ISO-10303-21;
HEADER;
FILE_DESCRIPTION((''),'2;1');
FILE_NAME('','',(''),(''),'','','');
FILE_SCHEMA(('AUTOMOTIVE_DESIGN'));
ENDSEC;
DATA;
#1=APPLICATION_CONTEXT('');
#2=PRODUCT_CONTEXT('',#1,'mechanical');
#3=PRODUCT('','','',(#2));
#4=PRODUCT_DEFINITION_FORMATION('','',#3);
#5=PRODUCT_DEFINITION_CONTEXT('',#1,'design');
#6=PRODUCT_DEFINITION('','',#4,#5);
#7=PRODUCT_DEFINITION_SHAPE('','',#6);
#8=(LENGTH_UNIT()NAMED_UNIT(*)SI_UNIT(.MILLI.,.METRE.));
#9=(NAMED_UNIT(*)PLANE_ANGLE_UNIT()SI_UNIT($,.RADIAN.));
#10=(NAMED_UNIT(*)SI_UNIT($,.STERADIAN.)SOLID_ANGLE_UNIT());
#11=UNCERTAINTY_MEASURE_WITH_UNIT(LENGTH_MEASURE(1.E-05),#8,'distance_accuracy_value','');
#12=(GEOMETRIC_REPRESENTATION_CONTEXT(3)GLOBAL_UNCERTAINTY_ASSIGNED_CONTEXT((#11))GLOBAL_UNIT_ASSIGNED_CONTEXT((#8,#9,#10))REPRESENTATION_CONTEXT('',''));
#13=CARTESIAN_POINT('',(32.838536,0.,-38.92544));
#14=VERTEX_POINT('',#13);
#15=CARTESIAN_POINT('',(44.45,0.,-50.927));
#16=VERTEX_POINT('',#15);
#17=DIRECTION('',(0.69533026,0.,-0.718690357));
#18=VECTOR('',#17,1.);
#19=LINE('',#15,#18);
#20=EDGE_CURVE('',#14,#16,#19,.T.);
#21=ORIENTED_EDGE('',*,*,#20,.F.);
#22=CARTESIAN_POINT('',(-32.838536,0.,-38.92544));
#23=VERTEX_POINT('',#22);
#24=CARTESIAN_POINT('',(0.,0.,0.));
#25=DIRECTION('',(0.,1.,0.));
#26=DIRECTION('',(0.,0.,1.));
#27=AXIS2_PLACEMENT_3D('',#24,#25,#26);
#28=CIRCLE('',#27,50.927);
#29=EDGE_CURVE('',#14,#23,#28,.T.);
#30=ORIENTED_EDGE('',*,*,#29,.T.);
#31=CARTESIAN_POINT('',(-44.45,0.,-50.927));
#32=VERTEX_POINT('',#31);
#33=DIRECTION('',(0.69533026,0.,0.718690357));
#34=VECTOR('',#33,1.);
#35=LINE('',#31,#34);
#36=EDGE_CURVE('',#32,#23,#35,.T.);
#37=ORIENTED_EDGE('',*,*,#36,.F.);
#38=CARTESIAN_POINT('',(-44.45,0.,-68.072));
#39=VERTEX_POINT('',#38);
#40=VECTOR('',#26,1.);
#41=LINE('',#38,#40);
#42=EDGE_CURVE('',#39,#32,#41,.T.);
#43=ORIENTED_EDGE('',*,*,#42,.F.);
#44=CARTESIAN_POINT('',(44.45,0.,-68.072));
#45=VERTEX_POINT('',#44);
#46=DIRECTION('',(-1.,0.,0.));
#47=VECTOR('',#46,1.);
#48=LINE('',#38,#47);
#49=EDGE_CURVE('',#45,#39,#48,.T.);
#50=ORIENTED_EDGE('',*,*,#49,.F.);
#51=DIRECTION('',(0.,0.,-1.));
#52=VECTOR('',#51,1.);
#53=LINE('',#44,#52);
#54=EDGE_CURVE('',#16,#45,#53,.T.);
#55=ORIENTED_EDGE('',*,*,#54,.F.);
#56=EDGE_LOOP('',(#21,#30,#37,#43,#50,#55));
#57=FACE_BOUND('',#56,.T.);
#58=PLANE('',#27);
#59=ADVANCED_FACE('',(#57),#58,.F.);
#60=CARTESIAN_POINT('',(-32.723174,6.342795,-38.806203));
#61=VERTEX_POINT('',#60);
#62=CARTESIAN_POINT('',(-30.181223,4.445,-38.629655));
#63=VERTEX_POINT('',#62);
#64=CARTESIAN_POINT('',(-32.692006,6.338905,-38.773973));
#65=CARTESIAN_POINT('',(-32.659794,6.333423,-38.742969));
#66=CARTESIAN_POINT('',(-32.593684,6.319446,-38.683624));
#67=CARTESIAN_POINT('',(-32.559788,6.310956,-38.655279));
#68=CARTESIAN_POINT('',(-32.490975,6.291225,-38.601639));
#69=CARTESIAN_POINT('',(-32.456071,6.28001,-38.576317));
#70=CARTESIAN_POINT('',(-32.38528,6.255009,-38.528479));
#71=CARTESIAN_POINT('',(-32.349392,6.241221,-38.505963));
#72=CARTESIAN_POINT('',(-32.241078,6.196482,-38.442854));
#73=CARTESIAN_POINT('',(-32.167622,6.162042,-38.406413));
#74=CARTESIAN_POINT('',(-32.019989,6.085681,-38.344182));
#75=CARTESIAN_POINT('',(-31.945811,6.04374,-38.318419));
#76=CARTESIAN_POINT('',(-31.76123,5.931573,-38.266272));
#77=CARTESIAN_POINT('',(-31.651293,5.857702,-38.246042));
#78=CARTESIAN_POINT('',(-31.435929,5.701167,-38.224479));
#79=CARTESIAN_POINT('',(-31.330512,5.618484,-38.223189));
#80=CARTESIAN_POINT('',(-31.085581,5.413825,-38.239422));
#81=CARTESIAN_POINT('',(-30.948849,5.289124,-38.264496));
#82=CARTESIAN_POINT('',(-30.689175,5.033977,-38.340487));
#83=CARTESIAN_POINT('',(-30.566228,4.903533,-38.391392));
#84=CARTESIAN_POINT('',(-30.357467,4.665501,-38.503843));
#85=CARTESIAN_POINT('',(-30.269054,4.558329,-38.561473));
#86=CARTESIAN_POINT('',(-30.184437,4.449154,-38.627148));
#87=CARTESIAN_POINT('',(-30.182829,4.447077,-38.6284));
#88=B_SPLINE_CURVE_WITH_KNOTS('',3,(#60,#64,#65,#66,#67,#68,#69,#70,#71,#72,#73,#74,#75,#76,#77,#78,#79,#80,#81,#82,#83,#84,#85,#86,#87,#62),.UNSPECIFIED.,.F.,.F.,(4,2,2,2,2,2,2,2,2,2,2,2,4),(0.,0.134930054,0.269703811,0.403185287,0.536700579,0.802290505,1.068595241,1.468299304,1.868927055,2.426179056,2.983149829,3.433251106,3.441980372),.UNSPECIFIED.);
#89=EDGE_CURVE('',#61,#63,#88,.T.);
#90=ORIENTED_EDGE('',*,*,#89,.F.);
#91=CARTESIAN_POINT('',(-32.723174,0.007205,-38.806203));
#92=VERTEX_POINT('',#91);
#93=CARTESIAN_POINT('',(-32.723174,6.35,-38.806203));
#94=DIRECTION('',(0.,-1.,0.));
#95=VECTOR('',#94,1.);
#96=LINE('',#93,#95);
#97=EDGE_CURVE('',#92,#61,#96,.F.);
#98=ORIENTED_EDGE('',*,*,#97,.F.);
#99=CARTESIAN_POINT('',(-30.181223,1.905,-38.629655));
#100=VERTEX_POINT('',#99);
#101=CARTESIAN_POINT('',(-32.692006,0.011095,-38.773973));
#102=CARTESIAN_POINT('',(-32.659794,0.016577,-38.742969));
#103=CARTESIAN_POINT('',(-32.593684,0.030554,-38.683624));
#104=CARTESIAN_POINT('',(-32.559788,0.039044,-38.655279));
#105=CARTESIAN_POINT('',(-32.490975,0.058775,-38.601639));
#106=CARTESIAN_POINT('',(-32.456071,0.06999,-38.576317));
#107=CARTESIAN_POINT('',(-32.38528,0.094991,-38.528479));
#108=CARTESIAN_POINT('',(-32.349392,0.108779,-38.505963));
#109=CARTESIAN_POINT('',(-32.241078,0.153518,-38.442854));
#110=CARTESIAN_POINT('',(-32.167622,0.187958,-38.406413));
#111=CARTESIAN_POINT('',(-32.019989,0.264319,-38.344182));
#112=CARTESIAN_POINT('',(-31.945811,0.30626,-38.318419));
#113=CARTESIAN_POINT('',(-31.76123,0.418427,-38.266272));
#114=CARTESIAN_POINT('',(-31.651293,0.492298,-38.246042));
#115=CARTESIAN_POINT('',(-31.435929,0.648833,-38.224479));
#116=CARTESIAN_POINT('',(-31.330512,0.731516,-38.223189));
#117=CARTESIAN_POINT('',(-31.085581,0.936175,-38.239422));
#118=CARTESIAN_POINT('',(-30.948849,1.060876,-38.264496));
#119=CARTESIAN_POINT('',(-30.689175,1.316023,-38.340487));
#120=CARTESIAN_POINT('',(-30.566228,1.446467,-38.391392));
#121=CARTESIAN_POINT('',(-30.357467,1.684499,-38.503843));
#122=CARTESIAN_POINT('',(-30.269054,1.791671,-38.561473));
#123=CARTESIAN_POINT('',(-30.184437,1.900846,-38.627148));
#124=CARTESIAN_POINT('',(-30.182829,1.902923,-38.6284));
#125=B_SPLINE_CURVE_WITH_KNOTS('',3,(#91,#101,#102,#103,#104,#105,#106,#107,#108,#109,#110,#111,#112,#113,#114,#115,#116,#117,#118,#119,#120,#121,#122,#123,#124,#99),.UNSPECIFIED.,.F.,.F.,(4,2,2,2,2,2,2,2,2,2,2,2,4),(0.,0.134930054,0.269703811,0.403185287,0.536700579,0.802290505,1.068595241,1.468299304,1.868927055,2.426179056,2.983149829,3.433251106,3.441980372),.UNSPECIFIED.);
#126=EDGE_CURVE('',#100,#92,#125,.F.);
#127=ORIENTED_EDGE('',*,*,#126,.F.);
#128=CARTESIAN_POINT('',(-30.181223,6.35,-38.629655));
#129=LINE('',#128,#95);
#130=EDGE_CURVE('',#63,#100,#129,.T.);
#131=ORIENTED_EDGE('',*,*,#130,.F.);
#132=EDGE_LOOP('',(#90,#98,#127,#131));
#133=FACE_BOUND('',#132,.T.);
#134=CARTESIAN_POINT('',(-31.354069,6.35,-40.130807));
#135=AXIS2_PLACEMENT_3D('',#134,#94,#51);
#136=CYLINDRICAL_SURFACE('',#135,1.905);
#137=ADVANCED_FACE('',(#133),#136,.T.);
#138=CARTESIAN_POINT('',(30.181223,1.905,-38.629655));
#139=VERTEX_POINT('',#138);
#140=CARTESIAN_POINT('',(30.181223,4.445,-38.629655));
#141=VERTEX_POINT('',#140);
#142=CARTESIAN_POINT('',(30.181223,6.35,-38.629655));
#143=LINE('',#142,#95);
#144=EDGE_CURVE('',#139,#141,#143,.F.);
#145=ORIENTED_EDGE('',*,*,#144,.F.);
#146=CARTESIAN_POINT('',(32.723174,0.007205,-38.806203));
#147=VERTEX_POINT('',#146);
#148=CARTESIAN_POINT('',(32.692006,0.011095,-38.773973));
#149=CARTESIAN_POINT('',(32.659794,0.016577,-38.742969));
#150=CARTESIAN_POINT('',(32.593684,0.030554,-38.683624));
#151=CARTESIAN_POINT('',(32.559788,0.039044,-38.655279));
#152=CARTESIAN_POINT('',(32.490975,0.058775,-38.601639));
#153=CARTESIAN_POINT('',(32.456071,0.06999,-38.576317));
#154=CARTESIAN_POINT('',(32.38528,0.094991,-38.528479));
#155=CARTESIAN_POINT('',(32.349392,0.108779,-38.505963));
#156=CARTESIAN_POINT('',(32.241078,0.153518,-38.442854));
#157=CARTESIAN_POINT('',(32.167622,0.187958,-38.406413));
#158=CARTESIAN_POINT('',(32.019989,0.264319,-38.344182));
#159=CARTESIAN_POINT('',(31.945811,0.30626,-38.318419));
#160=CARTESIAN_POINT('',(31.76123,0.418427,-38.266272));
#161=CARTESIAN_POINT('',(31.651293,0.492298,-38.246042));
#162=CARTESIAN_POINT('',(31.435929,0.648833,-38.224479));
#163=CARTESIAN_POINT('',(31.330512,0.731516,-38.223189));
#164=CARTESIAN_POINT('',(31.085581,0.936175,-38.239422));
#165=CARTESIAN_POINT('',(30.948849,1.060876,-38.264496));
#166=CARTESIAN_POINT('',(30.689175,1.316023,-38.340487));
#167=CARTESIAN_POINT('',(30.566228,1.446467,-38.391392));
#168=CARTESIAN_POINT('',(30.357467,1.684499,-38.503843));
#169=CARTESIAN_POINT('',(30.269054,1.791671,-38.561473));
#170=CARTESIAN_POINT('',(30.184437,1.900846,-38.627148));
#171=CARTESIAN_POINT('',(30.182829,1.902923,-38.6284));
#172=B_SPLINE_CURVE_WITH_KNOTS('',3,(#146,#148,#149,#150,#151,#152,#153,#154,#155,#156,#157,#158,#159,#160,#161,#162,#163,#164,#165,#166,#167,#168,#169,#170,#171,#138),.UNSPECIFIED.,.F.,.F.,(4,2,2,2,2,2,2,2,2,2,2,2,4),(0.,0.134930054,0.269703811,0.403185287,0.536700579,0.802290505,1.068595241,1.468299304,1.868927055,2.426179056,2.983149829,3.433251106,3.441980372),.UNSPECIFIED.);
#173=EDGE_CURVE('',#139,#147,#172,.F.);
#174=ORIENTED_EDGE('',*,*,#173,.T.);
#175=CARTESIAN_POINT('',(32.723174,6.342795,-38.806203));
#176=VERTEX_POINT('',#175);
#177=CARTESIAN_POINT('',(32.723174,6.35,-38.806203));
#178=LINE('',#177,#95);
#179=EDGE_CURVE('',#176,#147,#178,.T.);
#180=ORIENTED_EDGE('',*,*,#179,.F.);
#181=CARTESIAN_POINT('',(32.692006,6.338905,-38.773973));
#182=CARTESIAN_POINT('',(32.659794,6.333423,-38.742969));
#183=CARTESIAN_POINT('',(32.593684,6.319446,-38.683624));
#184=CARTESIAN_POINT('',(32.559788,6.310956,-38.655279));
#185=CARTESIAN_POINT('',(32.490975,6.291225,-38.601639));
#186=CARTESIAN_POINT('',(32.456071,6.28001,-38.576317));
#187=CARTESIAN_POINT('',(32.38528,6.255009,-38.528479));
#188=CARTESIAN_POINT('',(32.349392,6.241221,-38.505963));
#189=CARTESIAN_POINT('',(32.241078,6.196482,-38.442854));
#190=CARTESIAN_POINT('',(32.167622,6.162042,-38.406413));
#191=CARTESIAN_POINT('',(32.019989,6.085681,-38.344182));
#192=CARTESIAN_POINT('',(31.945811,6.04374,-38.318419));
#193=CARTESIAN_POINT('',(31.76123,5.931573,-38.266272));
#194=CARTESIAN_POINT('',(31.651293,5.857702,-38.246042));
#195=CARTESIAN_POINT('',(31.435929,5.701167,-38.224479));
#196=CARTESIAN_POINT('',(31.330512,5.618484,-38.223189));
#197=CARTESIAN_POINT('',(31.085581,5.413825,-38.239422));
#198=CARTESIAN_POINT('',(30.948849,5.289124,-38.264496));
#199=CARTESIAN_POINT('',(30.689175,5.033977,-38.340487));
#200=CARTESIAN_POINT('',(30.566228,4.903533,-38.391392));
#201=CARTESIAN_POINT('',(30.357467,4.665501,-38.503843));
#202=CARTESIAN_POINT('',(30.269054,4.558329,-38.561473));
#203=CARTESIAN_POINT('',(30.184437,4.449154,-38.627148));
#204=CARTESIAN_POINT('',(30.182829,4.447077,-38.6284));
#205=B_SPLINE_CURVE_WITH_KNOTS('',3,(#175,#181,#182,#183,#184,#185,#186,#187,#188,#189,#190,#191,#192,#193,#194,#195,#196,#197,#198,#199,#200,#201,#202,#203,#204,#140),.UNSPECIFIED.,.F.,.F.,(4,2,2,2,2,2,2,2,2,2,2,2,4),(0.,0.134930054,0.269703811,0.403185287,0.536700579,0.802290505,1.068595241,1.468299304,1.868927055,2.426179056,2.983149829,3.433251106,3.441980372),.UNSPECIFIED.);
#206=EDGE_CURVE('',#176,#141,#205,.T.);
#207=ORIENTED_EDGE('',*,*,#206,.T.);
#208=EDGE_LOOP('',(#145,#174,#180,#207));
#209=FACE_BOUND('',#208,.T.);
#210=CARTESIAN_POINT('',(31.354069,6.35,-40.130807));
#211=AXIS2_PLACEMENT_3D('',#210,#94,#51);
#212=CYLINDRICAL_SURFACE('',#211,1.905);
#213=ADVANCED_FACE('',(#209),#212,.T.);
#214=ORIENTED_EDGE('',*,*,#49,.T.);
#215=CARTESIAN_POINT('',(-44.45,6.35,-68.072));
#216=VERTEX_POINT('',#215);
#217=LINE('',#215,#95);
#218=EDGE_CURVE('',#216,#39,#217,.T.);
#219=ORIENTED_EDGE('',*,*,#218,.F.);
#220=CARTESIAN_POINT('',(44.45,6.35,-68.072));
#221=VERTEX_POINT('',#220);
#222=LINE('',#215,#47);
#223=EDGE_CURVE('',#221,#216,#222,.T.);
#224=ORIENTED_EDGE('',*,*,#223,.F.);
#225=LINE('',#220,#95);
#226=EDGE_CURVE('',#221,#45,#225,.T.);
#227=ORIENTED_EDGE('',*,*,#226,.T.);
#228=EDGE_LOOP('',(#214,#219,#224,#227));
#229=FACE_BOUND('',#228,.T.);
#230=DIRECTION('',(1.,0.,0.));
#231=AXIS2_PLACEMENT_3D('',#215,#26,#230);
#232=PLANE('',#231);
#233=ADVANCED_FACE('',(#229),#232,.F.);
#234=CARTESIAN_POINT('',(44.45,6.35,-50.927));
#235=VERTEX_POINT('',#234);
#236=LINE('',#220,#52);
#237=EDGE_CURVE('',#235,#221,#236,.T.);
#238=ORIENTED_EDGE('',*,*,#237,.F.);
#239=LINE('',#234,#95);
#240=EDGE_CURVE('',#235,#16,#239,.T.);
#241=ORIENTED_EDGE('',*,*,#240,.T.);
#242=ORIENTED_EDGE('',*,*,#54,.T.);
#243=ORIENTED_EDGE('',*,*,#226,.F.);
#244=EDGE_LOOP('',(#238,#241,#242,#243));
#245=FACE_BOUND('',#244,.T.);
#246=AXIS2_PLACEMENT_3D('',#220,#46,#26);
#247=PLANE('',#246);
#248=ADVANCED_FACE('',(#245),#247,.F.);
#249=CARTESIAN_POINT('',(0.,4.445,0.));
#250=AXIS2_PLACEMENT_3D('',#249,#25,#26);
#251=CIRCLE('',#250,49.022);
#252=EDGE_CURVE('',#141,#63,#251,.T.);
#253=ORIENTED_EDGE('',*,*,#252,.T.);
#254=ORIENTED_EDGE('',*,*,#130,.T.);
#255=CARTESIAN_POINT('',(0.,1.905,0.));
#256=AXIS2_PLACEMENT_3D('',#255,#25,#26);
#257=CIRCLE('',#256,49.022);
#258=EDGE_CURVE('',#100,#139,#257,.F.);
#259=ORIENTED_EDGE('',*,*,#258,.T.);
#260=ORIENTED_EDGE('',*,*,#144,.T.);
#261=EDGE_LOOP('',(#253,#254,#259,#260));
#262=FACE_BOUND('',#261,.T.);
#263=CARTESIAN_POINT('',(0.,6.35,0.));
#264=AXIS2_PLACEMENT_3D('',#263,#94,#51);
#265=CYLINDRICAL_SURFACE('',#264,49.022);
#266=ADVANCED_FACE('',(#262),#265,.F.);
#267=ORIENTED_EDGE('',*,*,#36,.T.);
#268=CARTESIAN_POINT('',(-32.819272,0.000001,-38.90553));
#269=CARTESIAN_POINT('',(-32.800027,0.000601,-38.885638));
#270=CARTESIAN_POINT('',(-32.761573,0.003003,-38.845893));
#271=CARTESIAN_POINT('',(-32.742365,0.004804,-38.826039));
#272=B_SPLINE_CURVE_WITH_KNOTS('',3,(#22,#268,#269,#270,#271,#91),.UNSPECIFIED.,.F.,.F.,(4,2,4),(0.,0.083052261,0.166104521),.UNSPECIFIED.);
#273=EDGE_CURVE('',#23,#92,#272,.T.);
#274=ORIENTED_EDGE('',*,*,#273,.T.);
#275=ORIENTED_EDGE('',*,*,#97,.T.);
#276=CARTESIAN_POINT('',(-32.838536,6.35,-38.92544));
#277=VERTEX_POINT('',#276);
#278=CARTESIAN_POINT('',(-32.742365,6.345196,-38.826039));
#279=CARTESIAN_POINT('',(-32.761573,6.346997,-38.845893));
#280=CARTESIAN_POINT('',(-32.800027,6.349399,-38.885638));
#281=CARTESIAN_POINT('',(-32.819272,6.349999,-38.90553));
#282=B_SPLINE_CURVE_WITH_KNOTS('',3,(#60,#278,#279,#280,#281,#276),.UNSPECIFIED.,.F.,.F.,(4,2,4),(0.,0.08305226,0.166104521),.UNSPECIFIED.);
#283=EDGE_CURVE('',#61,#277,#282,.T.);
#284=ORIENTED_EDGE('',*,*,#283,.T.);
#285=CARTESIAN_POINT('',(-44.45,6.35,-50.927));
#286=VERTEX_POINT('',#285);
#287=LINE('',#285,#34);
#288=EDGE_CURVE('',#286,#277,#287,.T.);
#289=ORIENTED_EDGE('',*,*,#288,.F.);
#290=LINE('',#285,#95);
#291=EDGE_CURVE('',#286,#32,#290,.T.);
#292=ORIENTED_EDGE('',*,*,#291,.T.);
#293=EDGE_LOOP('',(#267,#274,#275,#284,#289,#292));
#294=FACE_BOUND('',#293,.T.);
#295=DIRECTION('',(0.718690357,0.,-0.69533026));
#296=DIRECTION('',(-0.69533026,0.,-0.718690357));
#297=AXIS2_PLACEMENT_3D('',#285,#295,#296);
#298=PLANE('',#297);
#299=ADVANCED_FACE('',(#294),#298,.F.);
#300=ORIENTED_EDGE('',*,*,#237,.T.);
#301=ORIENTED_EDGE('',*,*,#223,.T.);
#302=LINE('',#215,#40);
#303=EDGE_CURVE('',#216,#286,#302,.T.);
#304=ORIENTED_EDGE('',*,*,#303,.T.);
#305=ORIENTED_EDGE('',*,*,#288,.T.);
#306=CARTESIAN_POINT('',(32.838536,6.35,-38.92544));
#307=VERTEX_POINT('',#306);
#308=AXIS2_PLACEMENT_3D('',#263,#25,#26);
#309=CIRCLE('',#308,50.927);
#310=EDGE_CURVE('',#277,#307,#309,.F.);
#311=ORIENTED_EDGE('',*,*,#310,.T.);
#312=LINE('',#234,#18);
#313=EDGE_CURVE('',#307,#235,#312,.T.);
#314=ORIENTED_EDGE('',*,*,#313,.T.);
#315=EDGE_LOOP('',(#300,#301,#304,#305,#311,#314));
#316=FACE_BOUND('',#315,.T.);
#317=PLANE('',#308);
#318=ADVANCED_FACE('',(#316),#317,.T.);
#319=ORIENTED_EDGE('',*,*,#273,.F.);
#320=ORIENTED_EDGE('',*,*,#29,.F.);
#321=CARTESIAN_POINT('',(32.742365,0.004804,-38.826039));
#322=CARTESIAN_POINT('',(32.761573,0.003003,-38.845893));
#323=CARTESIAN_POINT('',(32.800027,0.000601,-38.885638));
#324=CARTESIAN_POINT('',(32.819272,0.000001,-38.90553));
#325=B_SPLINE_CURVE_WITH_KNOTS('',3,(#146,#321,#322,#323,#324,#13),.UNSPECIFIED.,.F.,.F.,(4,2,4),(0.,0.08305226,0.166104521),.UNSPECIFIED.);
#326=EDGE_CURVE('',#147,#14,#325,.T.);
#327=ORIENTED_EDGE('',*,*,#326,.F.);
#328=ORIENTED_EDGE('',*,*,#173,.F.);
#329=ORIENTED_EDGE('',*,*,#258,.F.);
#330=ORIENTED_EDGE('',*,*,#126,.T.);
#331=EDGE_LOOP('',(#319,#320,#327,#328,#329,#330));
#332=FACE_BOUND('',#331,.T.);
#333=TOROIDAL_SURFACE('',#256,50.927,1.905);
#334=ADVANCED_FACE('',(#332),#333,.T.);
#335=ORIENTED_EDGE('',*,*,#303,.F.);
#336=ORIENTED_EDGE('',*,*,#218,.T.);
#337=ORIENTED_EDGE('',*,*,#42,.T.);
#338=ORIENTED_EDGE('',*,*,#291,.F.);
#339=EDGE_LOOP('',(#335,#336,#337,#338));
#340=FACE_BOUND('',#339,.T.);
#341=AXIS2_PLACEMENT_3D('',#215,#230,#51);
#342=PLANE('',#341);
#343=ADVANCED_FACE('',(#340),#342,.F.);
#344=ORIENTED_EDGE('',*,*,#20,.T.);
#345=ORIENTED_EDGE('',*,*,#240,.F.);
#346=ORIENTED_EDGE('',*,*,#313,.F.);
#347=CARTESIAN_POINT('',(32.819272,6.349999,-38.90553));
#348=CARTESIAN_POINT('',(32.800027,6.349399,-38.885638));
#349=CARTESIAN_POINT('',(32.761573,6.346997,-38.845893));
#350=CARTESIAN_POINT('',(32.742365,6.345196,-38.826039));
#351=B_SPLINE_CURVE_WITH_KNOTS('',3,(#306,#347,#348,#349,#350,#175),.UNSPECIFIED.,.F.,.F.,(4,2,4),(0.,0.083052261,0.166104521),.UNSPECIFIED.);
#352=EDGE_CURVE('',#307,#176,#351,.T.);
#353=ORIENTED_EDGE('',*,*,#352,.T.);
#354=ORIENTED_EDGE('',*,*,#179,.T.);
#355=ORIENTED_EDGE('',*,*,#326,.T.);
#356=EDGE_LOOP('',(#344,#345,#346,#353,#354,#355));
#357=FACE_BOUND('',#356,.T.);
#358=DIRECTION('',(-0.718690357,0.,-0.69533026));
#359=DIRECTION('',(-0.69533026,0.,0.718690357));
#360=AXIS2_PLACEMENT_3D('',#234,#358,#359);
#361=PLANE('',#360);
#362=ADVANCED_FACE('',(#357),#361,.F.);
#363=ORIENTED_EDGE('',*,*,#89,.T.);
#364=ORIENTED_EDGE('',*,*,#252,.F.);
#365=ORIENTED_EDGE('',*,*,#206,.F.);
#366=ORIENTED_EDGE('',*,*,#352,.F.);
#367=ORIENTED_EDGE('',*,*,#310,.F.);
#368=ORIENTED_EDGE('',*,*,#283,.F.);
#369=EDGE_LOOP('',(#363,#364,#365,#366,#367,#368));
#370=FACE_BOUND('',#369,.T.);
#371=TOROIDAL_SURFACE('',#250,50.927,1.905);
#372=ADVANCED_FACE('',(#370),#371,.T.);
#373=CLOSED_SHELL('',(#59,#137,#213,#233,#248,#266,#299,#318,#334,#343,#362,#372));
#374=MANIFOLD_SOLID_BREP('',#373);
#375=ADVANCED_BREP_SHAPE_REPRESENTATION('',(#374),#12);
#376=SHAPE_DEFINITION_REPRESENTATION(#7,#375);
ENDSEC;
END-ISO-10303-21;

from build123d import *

# Parameters (mm, degrees)
BOSS_EXTRUDE1_DEPTH = 6.35
FILLET1_R           = 1.905


with BuildPart() as part:
    # Sketch1 → Boss-Extrude1 (new body)
    with BuildSketch(Plane(origin=(0, 0, 0), x_dir=(1, 0, 0), z_dir=(0, 1, 0))):
        with BuildLine():
            Line((-44.45, 68.072), (44.45, 68.072))
            Line((44.45, 68.072), (44.45, 50.927))
            Line((44.45, 50.927), (31.510734202, 37.553030691))
            ThreePointArc((31.510734202, 37.553030691), (0, 49.022), (-31.510734202, 37.553030691))
            Line((-31.510734202, 37.553030691), (-44.45, 50.927))
            Line((-44.45, 50.927), (-44.45, 68.072))
        make_face()
    extrude(amount=BOSS_EXTRUDE1_DEPTH)

    # Fillet1
    fillet1_edges = [part.edges().sort_by_distance(p)[0] for p in [
        (31.510734202, 3.175, -37.553030691),
        (-31.510734202, 3.175, -37.553030691),
        (0, 6.35, -49.022),
        (0, 0, -49.022),
    ]]
    fillet(fillet1_edges, radius=FILLET1_R)


solid = part.part
